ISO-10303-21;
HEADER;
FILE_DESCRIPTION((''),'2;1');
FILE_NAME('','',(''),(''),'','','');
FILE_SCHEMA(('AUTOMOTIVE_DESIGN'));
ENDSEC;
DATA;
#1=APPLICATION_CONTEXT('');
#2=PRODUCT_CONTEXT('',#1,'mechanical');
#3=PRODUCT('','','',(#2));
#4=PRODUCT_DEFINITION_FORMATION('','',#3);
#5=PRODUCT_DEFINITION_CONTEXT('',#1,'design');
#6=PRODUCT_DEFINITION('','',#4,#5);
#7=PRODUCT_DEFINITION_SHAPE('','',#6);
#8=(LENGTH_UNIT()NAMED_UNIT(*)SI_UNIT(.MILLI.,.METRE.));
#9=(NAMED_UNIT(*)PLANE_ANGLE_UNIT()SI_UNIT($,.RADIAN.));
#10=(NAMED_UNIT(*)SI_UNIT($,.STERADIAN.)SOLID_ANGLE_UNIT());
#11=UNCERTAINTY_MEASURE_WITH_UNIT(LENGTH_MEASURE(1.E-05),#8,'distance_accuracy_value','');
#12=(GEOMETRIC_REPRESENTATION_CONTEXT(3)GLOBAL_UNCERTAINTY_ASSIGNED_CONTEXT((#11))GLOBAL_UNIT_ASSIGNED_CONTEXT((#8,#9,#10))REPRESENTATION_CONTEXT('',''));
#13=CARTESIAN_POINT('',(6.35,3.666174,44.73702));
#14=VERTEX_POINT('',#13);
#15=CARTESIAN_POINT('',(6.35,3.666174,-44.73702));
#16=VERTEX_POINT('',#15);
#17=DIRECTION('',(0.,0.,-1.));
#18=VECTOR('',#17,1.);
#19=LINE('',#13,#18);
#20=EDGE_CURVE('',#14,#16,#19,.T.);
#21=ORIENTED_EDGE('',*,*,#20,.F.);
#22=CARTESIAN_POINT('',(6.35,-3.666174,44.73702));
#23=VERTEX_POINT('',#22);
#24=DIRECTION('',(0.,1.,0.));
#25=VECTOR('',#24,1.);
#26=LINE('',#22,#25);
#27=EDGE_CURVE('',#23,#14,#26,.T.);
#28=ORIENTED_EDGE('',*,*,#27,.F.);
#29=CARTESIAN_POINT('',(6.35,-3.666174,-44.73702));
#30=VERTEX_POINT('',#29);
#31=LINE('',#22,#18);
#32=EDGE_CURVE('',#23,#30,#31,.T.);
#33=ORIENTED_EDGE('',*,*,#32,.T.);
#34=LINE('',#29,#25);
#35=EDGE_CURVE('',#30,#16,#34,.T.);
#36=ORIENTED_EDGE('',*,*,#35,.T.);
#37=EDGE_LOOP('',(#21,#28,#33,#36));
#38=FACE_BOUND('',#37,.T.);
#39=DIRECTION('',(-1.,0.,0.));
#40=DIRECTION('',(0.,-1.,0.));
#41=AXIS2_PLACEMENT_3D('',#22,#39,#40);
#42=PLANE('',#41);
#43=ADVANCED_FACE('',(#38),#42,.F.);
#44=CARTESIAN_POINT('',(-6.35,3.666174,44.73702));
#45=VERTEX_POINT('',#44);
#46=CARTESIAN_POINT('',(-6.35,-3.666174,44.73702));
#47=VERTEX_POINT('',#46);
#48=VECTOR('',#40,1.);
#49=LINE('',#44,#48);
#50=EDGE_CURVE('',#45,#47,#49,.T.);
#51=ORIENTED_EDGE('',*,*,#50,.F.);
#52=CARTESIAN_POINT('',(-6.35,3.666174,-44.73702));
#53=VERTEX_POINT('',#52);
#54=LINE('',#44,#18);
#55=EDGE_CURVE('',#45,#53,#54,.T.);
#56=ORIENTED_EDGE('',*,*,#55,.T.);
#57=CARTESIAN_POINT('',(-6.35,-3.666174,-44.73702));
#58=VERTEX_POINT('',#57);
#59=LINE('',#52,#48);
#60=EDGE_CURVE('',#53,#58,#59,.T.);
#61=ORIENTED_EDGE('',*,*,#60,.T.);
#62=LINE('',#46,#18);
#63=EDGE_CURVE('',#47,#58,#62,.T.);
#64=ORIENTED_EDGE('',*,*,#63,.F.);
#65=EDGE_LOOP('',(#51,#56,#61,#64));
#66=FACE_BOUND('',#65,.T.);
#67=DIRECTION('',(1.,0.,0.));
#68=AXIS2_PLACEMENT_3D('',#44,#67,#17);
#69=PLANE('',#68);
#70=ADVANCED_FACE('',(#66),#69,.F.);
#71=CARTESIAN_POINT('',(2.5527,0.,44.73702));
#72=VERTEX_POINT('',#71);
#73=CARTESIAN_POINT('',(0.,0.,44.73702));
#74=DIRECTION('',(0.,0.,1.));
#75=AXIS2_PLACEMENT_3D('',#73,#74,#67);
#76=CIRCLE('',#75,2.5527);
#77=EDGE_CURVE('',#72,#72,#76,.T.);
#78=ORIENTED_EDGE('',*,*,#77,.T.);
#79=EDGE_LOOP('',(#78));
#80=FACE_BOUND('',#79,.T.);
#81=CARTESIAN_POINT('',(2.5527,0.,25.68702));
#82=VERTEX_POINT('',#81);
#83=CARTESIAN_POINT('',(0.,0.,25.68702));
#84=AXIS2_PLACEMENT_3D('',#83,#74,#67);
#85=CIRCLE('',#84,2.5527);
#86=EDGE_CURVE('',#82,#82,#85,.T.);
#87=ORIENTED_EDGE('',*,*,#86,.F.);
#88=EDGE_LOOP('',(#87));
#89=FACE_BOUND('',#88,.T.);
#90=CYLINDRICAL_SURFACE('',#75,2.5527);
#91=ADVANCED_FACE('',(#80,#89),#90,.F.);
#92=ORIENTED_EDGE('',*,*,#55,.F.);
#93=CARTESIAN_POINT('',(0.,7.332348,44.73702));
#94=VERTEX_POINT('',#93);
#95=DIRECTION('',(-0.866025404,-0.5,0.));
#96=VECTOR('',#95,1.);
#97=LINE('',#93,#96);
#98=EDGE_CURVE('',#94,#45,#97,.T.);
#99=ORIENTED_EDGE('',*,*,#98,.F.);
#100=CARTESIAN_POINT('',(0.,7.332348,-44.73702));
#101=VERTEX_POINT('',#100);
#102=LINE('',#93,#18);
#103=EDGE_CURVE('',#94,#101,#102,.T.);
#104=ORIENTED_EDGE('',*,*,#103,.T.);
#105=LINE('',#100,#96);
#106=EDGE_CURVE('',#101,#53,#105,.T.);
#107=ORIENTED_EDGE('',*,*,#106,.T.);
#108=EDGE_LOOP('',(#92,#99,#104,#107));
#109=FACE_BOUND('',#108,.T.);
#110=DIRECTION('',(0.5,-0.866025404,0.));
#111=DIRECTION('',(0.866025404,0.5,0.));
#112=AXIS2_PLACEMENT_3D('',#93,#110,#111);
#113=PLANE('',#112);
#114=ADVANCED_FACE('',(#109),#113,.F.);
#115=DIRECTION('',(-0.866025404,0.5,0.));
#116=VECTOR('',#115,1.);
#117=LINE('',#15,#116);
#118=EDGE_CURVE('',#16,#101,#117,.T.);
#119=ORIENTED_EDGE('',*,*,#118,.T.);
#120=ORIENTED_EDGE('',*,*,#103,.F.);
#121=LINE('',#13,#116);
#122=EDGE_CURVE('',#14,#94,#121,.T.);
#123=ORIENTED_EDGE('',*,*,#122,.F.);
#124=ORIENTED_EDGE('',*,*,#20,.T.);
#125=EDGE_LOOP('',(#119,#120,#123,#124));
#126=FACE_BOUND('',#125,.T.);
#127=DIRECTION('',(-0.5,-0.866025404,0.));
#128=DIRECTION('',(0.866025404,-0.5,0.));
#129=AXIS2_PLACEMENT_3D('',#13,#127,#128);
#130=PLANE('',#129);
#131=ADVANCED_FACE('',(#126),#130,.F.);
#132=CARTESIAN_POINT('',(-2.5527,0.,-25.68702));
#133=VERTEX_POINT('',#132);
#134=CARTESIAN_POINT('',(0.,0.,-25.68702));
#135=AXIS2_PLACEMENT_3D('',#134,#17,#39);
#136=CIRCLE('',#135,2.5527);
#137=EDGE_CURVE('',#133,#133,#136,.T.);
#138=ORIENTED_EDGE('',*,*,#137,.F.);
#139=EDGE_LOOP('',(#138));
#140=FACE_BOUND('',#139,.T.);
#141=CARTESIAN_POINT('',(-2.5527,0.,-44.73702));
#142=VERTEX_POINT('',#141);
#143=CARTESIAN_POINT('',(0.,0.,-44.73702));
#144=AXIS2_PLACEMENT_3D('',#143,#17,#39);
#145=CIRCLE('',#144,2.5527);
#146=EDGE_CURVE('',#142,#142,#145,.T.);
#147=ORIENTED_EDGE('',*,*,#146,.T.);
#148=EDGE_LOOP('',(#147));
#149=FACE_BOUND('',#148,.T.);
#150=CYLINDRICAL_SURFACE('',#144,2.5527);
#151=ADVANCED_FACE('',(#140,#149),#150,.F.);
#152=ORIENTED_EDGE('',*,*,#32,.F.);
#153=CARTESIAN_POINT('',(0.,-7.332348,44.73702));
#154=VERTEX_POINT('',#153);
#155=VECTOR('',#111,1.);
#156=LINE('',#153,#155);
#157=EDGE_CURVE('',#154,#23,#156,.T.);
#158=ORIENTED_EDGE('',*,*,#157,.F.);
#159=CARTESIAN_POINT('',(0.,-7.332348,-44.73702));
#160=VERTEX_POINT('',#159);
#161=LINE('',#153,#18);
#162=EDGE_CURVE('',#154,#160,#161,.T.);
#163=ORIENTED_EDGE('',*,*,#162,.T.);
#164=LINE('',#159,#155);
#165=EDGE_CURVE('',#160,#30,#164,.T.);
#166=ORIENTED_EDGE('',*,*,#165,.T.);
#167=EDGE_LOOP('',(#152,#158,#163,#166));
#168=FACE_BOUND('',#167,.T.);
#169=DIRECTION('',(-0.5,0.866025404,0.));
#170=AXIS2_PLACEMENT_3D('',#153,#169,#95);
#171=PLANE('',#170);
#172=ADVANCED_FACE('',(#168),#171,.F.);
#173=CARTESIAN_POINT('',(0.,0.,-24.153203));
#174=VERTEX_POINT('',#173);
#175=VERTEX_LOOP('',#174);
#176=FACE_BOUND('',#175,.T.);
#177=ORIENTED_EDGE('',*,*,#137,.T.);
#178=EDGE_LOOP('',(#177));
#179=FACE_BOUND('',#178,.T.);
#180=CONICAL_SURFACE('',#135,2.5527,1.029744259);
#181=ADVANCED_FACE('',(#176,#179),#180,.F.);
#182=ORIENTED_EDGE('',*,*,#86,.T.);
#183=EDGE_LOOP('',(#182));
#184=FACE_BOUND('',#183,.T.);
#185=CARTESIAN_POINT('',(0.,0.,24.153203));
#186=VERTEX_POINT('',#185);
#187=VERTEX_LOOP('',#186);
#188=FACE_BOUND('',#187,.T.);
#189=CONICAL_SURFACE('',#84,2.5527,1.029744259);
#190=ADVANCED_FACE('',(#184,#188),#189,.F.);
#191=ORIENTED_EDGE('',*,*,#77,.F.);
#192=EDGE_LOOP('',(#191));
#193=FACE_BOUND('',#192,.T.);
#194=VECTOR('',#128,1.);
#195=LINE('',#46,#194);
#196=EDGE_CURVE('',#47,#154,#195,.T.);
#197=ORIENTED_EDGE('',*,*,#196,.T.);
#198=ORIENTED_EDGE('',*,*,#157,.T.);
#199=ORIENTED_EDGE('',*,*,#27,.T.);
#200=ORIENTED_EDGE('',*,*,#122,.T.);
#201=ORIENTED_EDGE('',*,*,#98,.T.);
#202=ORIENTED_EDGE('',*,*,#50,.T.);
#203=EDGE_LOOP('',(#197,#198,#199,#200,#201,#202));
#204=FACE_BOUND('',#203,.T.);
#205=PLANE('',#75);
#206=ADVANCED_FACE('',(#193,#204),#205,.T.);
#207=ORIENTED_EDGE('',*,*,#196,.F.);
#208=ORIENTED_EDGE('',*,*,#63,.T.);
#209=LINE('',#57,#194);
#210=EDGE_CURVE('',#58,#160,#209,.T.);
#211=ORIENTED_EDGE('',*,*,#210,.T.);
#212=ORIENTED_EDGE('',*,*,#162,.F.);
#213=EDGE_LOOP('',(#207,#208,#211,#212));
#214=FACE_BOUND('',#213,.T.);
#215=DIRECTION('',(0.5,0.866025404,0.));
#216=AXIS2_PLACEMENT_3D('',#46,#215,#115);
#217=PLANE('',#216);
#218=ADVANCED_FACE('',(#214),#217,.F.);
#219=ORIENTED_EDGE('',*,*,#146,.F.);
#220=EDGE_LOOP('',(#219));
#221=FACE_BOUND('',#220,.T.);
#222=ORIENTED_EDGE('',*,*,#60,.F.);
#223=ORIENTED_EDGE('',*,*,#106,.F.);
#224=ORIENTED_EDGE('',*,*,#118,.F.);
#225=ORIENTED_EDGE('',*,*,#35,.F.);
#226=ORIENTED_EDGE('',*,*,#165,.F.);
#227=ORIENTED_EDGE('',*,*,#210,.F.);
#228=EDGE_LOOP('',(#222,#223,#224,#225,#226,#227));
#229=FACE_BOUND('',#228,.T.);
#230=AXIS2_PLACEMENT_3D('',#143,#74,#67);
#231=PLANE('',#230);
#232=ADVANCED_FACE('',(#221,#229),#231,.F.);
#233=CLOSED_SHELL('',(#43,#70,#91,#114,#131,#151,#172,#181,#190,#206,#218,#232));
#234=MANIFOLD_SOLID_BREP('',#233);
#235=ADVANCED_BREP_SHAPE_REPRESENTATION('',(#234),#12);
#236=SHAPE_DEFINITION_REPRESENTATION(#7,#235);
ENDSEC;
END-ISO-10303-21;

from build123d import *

# Parameters (mm, degrees)
BOSS_EXTRUDE1_DEPTH             = 44.73702
BOSS_EXTRUDE1_DEPTH_BACK        = 44.73702
TAP_DRILL_FOR_1_4_20_TAP1_D     = 5.1054
TAP_DRILL_FOR_1_4_20_TAP1_DEPTH = 19.05
TAP_DRILL_FOR_1_4_20_TAP1_TIP   = 1.533816902
TAP_DRILL_FOR_1_4_20_TAP2_D     = 5.1054
TAP_DRILL_FOR_1_4_20_TAP2_DEPTH = 19.05
TAP_DRILL_FOR_1_4_20_TAP2_TIP   = 1.533816902


with BuildPart() as part:
    # Sketch3 → Boss-Extrude1 (new, two sides: drawn at the far end of the back side and taken through both)
    with BuildSketch(Plane.XY.offset(-BOSS_EXTRUDE1_DEPTH_BACK)):
        Polygon((0, 7.332348419), (-6.35, 3.666174209), (-6.35, -3.666174209), (0, -7.332348419), (6.35, -3.666174209), (6.35, 3.666174209), align=None)
    extrude(amount=BOSS_EXTRUDE1_DEPTH + BOSS_EXTRUDE1_DEPTH_BACK)

    # Tap Drill for 1/4-20 Tap1
    with Locations(Plane(origin=(0, 0, -44.73702), x_dir=(-1, 0, 0), z_dir=(0, 0, -1))):
        with Locations((0, 0)):
            Hole(TAP_DRILL_FOR_1_4_20_TAP1_D / 2, depth=TAP_DRILL_FOR_1_4_20_TAP1_DEPTH)
            with Locations((0, 0, -(TAP_DRILL_FOR_1_4_20_TAP1_DEPTH + TAP_DRILL_FOR_1_4_20_TAP1_TIP / 2))):  # 118° drill point
                Cone(0, TAP_DRILL_FOR_1_4_20_TAP1_D / 2, TAP_DRILL_FOR_1_4_20_TAP1_TIP, mode=Mode.SUBTRACT)

    # Tap Drill for 1/4-20 Tap2
    with Locations(Plane.XY.offset(44.73702)):
        with Locations((0, 0)):
            Hole(TAP_DRILL_FOR_1_4_20_TAP2_D / 2, depth=TAP_DRILL_FOR_1_4_20_TAP2_DEPTH)
            with Locations((0, 0, -(TAP_DRILL_FOR_1_4_20_TAP2_DEPTH + TAP_DRILL_FOR_1_4_20_TAP2_TIP / 2))):  # 118° drill point
                Cone(0, TAP_DRILL_FOR_1_4_20_TAP2_D / 2, TAP_DRILL_FOR_1_4_20_TAP2_TIP, mode=Mode.SUBTRACT)


solid = part.part
